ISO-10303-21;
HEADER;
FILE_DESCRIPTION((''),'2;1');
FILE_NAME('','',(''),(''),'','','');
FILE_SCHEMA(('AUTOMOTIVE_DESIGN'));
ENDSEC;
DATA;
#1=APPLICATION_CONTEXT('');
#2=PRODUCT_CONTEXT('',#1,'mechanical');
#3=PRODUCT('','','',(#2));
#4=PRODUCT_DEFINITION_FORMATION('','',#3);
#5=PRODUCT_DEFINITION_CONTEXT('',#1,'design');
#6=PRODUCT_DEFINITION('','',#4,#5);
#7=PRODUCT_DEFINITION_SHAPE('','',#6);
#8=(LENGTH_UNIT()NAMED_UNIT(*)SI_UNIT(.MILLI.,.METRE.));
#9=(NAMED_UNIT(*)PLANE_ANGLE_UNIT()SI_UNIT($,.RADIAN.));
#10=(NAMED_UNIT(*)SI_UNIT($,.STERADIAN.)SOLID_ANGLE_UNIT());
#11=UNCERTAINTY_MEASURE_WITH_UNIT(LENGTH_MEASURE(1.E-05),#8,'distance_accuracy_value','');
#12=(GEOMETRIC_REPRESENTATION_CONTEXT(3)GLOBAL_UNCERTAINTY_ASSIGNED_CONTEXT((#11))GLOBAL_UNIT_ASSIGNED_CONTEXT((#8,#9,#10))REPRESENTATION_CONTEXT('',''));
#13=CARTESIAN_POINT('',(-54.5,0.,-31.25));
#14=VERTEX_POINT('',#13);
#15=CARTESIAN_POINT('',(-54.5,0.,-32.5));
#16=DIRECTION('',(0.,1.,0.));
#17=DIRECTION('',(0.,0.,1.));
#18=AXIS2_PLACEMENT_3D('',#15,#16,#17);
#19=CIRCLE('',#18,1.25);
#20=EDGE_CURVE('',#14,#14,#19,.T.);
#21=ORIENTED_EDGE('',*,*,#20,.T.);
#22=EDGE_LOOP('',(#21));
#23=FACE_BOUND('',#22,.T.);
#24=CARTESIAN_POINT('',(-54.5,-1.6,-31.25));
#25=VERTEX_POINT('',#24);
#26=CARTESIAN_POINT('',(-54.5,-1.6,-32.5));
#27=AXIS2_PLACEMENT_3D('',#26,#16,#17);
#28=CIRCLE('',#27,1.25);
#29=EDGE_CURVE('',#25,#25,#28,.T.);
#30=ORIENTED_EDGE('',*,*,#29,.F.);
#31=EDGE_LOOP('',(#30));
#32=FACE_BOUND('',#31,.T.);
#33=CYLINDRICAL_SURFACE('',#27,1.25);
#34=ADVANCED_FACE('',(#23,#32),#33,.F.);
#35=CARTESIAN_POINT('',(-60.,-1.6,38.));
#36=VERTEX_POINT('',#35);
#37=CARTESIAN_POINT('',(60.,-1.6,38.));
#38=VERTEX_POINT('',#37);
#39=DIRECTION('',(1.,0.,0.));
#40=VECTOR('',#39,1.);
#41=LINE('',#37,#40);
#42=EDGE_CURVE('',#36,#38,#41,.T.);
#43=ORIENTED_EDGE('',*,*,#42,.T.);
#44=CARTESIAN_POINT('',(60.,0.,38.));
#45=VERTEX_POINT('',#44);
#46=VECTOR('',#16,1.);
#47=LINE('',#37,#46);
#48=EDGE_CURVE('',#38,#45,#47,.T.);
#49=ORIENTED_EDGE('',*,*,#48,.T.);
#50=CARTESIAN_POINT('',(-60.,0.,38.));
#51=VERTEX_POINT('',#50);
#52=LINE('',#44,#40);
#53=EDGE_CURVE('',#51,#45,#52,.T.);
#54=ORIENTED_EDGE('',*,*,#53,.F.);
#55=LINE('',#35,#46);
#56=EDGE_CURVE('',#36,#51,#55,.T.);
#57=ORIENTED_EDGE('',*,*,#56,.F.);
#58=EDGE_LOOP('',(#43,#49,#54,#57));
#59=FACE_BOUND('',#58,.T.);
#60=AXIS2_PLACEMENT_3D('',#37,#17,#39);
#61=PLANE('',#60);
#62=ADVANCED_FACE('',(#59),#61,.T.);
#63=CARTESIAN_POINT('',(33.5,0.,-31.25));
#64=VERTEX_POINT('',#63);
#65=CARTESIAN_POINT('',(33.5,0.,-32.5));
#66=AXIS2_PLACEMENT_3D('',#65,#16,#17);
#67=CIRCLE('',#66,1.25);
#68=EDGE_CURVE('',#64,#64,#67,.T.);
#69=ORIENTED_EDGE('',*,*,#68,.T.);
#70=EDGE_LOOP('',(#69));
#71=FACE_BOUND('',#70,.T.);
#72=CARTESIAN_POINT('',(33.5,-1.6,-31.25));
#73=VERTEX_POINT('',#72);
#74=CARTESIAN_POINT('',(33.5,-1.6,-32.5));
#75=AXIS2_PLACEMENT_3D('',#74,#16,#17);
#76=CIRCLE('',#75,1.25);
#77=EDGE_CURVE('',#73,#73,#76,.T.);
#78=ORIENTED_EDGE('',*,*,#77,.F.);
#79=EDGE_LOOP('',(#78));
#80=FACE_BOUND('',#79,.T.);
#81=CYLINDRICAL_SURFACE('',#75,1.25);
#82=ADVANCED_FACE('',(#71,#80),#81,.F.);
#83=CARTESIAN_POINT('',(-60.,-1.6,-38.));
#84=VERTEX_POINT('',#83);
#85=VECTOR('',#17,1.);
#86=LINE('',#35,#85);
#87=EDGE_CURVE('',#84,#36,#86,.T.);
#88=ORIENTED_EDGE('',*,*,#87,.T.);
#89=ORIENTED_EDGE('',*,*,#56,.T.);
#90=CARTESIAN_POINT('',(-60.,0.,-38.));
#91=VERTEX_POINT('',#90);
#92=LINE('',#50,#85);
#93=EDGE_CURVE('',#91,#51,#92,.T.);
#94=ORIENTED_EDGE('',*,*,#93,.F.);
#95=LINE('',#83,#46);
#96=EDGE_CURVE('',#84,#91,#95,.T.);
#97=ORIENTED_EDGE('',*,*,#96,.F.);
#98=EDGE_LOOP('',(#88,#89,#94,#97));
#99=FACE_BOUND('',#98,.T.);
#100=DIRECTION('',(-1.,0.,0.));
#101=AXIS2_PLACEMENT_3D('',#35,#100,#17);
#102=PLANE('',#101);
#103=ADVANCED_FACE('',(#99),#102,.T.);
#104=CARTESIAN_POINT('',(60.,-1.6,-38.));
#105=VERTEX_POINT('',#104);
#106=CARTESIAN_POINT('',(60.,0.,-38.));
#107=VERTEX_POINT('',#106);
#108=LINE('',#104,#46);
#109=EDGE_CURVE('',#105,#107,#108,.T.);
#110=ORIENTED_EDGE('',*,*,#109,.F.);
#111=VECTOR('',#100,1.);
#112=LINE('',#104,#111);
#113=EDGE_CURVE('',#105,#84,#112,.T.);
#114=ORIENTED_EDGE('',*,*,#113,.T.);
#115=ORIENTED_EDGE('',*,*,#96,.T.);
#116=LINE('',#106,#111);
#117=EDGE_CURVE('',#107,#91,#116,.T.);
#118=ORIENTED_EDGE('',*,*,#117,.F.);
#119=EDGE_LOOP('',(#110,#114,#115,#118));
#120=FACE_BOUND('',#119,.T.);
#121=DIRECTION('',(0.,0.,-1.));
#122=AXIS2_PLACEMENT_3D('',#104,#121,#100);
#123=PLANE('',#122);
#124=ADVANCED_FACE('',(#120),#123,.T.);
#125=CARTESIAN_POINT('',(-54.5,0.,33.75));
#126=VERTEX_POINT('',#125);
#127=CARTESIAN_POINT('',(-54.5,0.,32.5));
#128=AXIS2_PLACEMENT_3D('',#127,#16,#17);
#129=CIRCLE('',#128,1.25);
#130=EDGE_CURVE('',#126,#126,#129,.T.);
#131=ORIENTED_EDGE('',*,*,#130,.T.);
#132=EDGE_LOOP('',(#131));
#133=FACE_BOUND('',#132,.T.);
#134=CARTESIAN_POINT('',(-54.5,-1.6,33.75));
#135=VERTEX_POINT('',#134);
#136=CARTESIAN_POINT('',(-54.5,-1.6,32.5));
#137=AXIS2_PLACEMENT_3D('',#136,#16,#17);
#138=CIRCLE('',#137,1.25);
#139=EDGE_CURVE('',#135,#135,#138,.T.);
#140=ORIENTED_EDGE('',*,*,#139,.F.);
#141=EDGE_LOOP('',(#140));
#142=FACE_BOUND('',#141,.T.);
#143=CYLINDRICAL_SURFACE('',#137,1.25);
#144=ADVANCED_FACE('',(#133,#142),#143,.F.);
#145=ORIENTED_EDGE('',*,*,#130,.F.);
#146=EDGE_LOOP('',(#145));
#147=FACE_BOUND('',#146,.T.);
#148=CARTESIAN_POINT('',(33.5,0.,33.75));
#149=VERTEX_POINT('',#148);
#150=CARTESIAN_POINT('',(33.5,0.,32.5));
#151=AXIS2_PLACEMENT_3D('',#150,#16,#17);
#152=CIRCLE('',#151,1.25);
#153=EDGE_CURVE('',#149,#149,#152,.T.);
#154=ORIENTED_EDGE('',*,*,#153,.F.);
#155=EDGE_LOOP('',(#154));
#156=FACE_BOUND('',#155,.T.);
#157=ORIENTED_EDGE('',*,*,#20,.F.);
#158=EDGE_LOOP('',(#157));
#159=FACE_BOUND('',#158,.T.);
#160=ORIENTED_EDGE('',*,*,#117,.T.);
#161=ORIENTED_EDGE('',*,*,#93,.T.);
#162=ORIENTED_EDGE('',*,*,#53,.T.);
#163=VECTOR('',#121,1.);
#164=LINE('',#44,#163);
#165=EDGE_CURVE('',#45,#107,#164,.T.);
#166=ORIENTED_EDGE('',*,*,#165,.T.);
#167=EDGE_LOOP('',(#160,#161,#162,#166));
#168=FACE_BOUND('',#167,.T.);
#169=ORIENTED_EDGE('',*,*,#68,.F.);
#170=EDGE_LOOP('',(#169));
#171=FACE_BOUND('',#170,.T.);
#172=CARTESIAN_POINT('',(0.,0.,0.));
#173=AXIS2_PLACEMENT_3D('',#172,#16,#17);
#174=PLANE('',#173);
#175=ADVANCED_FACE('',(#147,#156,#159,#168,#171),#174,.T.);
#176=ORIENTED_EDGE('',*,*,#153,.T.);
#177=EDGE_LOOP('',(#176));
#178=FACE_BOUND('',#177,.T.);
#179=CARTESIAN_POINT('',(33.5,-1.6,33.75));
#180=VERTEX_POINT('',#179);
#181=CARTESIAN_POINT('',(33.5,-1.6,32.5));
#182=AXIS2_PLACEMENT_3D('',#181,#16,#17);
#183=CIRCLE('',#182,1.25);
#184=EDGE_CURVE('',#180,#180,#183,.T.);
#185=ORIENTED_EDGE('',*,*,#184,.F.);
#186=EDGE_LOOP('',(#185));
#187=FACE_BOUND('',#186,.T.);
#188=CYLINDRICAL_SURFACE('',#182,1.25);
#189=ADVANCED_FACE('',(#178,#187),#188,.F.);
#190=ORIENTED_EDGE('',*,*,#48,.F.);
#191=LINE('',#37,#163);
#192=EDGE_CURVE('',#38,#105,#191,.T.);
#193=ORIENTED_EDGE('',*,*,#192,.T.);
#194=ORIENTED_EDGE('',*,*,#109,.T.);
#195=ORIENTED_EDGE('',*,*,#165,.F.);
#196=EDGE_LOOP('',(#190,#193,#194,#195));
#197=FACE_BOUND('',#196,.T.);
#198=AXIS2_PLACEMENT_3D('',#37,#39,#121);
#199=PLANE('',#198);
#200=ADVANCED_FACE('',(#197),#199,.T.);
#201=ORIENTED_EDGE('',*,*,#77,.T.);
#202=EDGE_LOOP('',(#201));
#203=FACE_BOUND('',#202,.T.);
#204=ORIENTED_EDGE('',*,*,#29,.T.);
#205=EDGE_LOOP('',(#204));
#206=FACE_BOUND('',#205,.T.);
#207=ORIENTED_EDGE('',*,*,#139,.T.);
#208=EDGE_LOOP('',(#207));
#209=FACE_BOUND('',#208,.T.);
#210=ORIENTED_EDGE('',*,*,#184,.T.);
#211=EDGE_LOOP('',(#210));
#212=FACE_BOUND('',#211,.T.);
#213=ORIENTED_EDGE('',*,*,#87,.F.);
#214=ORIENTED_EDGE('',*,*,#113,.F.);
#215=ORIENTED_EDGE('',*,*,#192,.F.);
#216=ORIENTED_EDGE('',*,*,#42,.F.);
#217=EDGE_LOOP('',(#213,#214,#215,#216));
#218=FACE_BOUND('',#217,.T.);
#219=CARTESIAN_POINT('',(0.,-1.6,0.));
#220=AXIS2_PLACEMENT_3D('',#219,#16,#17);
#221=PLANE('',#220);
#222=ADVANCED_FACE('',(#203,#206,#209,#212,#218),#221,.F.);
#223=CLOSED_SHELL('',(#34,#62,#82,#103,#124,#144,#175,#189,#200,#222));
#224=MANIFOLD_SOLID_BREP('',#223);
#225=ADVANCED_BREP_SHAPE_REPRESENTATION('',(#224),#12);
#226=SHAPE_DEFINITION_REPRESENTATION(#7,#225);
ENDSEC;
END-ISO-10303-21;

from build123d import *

# Parameters (mm, degrees)
SKETCH1_W           = 120
SKETCH1_H           = 76
BOSS_EXTRUDE1_DEPTH = 1.6
SKETCH2_R           = 1.25
CUT_EXTRUDE1_DEPTH  = 72.039144139


with BuildPart() as part:
    # Sketch1 → Boss-Extrude1 (new body)
    with BuildSketch(Plane(origin=(0, 0, 0), x_dir=(1, 0, 0), z_dir=(0, 1, 0))):
        Rectangle(SKETCH1_W, SKETCH1_H)
    extrude(amount=-BOSS_EXTRUDE1_DEPTH)

    # Sketch2 → Cut-Extrude1 (cut, through all)
    with BuildSketch(Plane(origin=(0, 0, 0), x_dir=(1, 0, 0), z_dir=(0, 1, 0))):
        with Locations(Location((-54.5, 32.5, 0), (0, 0, 270))):
            Circle(SKETCH2_R)
        with Locations(Location((-54.5, -32.5, 0), (0, 0, 270))):
            Circle(SKETCH2_R)
        with Locations(Location((33.5, 32.5, 0), (0, 0, 270))):
            Circle(SKETCH2_R)
        with Locations(Location((33.5, -32.5, 0), (0, 0, 270))):
            Circle(SKETCH2_R)
    extrude(amount=-CUT_EXTRUDE1_DEPTH, mode=Mode.SUBTRACT)


solid = part.part
